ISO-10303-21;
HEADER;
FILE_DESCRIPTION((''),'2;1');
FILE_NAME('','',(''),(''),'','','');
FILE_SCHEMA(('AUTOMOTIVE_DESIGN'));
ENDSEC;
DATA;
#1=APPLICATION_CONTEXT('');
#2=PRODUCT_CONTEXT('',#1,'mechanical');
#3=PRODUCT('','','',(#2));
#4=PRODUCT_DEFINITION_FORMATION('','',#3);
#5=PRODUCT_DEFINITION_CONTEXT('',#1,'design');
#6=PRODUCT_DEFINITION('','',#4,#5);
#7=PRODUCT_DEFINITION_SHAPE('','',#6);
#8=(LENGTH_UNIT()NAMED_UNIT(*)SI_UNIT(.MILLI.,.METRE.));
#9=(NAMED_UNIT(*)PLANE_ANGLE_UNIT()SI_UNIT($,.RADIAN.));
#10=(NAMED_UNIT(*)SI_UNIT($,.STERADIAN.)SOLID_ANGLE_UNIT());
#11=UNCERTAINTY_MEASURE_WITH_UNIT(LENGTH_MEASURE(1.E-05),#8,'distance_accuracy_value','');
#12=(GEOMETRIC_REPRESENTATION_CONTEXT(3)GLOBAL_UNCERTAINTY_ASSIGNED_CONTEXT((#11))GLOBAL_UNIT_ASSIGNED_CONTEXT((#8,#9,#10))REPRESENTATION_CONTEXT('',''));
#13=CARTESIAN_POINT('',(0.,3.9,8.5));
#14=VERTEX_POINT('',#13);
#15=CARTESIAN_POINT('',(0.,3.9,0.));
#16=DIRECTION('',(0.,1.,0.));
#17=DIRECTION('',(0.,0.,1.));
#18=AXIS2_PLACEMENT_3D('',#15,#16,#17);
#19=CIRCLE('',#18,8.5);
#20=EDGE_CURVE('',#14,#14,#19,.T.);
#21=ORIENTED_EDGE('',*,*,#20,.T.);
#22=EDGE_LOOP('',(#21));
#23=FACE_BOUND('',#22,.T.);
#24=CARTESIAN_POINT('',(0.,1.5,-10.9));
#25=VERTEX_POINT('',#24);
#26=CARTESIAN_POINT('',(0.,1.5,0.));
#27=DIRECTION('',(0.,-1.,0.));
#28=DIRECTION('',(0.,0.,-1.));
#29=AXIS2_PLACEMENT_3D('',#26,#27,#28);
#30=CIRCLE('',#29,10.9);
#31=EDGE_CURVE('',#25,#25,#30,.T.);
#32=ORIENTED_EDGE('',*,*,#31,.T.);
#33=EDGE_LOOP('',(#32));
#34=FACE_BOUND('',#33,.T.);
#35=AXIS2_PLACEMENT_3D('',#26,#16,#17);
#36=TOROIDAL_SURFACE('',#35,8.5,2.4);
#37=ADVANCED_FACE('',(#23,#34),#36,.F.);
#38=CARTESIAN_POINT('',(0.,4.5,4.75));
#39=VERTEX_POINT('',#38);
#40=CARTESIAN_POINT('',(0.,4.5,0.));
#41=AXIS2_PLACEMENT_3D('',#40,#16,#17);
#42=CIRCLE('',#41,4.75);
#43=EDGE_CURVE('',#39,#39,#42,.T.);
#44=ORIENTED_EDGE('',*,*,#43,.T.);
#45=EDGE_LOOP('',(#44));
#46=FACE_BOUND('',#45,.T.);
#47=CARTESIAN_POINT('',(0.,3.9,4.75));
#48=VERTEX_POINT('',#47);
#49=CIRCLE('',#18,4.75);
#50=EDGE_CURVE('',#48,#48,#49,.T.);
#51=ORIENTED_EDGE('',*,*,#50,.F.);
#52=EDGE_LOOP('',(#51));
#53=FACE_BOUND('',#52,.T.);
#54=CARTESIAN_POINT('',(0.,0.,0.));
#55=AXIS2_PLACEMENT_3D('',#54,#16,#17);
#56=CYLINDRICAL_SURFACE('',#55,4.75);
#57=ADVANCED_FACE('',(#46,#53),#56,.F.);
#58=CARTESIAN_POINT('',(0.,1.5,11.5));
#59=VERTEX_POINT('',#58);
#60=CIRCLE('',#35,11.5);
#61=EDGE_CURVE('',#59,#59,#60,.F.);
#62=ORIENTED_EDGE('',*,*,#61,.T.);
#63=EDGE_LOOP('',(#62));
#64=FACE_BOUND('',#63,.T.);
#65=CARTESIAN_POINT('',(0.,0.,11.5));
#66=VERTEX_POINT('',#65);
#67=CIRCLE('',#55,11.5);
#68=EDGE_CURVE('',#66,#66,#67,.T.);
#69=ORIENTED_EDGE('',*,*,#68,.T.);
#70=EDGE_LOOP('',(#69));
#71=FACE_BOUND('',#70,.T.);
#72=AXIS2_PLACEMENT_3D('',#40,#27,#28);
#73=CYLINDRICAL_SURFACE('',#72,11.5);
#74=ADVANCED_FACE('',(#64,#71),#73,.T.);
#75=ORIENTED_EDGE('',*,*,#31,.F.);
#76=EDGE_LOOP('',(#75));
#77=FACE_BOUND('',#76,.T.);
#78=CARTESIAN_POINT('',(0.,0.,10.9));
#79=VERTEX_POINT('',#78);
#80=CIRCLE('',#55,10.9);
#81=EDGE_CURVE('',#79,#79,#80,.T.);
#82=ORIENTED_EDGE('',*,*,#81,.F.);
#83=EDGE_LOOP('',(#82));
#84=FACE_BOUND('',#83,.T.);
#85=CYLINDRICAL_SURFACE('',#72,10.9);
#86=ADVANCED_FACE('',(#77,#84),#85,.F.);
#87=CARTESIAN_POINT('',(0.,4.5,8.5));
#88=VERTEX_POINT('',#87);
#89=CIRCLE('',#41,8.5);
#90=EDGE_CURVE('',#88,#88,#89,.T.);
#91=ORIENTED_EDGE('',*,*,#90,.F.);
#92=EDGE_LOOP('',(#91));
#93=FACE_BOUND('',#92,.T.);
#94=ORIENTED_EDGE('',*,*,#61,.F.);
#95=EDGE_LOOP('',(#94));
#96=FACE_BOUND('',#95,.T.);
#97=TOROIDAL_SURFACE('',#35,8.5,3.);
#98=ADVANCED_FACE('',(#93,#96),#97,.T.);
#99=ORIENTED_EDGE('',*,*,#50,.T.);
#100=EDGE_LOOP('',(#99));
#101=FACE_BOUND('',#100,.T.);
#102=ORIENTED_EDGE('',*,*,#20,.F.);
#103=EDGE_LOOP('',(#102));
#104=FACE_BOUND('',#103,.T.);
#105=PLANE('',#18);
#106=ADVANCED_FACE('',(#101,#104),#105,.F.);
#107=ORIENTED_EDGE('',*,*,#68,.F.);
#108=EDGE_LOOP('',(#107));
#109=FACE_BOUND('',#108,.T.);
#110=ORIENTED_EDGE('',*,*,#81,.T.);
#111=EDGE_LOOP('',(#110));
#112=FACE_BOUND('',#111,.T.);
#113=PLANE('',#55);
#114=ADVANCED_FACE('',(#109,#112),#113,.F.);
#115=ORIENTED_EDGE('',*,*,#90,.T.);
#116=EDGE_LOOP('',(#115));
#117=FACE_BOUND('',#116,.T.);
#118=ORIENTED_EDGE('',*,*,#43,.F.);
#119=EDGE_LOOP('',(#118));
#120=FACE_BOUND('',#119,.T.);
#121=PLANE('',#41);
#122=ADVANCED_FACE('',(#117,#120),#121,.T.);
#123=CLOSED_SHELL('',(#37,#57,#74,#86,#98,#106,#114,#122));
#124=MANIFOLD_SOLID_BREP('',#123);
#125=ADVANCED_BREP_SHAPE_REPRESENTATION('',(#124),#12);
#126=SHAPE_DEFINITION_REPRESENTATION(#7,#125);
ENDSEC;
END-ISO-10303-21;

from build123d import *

# Parameters (mm, degrees)
SKETCH1_R           = 11.5
BOSS_EXTRUDE1_DEPTH = 4.5
FILLET2_R           = 3
SHELL1_T            = -0.6
SKETCH2_R           = 4.75
CUT_EXTRUDE1_DEPTH  = 17.874537031


with BuildPart() as part:
    # Sketch1 → Boss-Extrude1 (new body)
    with BuildSketch(Plane(origin=(0, 0, 0), x_dir=(1, 0, 0), z_dir=(0, 1, 0))):
        with Locations(Location((0, 0, 0), (0, 0, 270))):
            Circle(SKETCH1_R)
    extrude(amount=BOSS_EXTRUDE1_DEPTH)

    # Fillet2
    fillet2_edges = [part.edges().sort_by_distance(p)[0] for p in [
        (0, 4.5, -11.5),
    ]]
    fillet(fillet2_edges, radius=FILLET2_R)

    # Shell1
    shell1_openings = [part.faces().sort_by_distance(p)[0] for p in [
        (0, 0, 0),
    ]]
    offset(amount=SHELL1_T, openings=shell1_openings, kind=Kind.INTERSECTION)

    # Sketch2 → Cut-Extrude1 (cut, through all)
    with BuildSketch(Plane(origin=(0, 4.5, 0), x_dir=(1, 0, 0), z_dir=(0, 1, 0))):
        with Locations(Location((0, 0, 0), (0, 0, 270))):
            Circle(SKETCH2_R)
    extrude(amount=-CUT_EXTRUDE1_DEPTH, mode=Mode.SUBTRACT)


solid = part.part
